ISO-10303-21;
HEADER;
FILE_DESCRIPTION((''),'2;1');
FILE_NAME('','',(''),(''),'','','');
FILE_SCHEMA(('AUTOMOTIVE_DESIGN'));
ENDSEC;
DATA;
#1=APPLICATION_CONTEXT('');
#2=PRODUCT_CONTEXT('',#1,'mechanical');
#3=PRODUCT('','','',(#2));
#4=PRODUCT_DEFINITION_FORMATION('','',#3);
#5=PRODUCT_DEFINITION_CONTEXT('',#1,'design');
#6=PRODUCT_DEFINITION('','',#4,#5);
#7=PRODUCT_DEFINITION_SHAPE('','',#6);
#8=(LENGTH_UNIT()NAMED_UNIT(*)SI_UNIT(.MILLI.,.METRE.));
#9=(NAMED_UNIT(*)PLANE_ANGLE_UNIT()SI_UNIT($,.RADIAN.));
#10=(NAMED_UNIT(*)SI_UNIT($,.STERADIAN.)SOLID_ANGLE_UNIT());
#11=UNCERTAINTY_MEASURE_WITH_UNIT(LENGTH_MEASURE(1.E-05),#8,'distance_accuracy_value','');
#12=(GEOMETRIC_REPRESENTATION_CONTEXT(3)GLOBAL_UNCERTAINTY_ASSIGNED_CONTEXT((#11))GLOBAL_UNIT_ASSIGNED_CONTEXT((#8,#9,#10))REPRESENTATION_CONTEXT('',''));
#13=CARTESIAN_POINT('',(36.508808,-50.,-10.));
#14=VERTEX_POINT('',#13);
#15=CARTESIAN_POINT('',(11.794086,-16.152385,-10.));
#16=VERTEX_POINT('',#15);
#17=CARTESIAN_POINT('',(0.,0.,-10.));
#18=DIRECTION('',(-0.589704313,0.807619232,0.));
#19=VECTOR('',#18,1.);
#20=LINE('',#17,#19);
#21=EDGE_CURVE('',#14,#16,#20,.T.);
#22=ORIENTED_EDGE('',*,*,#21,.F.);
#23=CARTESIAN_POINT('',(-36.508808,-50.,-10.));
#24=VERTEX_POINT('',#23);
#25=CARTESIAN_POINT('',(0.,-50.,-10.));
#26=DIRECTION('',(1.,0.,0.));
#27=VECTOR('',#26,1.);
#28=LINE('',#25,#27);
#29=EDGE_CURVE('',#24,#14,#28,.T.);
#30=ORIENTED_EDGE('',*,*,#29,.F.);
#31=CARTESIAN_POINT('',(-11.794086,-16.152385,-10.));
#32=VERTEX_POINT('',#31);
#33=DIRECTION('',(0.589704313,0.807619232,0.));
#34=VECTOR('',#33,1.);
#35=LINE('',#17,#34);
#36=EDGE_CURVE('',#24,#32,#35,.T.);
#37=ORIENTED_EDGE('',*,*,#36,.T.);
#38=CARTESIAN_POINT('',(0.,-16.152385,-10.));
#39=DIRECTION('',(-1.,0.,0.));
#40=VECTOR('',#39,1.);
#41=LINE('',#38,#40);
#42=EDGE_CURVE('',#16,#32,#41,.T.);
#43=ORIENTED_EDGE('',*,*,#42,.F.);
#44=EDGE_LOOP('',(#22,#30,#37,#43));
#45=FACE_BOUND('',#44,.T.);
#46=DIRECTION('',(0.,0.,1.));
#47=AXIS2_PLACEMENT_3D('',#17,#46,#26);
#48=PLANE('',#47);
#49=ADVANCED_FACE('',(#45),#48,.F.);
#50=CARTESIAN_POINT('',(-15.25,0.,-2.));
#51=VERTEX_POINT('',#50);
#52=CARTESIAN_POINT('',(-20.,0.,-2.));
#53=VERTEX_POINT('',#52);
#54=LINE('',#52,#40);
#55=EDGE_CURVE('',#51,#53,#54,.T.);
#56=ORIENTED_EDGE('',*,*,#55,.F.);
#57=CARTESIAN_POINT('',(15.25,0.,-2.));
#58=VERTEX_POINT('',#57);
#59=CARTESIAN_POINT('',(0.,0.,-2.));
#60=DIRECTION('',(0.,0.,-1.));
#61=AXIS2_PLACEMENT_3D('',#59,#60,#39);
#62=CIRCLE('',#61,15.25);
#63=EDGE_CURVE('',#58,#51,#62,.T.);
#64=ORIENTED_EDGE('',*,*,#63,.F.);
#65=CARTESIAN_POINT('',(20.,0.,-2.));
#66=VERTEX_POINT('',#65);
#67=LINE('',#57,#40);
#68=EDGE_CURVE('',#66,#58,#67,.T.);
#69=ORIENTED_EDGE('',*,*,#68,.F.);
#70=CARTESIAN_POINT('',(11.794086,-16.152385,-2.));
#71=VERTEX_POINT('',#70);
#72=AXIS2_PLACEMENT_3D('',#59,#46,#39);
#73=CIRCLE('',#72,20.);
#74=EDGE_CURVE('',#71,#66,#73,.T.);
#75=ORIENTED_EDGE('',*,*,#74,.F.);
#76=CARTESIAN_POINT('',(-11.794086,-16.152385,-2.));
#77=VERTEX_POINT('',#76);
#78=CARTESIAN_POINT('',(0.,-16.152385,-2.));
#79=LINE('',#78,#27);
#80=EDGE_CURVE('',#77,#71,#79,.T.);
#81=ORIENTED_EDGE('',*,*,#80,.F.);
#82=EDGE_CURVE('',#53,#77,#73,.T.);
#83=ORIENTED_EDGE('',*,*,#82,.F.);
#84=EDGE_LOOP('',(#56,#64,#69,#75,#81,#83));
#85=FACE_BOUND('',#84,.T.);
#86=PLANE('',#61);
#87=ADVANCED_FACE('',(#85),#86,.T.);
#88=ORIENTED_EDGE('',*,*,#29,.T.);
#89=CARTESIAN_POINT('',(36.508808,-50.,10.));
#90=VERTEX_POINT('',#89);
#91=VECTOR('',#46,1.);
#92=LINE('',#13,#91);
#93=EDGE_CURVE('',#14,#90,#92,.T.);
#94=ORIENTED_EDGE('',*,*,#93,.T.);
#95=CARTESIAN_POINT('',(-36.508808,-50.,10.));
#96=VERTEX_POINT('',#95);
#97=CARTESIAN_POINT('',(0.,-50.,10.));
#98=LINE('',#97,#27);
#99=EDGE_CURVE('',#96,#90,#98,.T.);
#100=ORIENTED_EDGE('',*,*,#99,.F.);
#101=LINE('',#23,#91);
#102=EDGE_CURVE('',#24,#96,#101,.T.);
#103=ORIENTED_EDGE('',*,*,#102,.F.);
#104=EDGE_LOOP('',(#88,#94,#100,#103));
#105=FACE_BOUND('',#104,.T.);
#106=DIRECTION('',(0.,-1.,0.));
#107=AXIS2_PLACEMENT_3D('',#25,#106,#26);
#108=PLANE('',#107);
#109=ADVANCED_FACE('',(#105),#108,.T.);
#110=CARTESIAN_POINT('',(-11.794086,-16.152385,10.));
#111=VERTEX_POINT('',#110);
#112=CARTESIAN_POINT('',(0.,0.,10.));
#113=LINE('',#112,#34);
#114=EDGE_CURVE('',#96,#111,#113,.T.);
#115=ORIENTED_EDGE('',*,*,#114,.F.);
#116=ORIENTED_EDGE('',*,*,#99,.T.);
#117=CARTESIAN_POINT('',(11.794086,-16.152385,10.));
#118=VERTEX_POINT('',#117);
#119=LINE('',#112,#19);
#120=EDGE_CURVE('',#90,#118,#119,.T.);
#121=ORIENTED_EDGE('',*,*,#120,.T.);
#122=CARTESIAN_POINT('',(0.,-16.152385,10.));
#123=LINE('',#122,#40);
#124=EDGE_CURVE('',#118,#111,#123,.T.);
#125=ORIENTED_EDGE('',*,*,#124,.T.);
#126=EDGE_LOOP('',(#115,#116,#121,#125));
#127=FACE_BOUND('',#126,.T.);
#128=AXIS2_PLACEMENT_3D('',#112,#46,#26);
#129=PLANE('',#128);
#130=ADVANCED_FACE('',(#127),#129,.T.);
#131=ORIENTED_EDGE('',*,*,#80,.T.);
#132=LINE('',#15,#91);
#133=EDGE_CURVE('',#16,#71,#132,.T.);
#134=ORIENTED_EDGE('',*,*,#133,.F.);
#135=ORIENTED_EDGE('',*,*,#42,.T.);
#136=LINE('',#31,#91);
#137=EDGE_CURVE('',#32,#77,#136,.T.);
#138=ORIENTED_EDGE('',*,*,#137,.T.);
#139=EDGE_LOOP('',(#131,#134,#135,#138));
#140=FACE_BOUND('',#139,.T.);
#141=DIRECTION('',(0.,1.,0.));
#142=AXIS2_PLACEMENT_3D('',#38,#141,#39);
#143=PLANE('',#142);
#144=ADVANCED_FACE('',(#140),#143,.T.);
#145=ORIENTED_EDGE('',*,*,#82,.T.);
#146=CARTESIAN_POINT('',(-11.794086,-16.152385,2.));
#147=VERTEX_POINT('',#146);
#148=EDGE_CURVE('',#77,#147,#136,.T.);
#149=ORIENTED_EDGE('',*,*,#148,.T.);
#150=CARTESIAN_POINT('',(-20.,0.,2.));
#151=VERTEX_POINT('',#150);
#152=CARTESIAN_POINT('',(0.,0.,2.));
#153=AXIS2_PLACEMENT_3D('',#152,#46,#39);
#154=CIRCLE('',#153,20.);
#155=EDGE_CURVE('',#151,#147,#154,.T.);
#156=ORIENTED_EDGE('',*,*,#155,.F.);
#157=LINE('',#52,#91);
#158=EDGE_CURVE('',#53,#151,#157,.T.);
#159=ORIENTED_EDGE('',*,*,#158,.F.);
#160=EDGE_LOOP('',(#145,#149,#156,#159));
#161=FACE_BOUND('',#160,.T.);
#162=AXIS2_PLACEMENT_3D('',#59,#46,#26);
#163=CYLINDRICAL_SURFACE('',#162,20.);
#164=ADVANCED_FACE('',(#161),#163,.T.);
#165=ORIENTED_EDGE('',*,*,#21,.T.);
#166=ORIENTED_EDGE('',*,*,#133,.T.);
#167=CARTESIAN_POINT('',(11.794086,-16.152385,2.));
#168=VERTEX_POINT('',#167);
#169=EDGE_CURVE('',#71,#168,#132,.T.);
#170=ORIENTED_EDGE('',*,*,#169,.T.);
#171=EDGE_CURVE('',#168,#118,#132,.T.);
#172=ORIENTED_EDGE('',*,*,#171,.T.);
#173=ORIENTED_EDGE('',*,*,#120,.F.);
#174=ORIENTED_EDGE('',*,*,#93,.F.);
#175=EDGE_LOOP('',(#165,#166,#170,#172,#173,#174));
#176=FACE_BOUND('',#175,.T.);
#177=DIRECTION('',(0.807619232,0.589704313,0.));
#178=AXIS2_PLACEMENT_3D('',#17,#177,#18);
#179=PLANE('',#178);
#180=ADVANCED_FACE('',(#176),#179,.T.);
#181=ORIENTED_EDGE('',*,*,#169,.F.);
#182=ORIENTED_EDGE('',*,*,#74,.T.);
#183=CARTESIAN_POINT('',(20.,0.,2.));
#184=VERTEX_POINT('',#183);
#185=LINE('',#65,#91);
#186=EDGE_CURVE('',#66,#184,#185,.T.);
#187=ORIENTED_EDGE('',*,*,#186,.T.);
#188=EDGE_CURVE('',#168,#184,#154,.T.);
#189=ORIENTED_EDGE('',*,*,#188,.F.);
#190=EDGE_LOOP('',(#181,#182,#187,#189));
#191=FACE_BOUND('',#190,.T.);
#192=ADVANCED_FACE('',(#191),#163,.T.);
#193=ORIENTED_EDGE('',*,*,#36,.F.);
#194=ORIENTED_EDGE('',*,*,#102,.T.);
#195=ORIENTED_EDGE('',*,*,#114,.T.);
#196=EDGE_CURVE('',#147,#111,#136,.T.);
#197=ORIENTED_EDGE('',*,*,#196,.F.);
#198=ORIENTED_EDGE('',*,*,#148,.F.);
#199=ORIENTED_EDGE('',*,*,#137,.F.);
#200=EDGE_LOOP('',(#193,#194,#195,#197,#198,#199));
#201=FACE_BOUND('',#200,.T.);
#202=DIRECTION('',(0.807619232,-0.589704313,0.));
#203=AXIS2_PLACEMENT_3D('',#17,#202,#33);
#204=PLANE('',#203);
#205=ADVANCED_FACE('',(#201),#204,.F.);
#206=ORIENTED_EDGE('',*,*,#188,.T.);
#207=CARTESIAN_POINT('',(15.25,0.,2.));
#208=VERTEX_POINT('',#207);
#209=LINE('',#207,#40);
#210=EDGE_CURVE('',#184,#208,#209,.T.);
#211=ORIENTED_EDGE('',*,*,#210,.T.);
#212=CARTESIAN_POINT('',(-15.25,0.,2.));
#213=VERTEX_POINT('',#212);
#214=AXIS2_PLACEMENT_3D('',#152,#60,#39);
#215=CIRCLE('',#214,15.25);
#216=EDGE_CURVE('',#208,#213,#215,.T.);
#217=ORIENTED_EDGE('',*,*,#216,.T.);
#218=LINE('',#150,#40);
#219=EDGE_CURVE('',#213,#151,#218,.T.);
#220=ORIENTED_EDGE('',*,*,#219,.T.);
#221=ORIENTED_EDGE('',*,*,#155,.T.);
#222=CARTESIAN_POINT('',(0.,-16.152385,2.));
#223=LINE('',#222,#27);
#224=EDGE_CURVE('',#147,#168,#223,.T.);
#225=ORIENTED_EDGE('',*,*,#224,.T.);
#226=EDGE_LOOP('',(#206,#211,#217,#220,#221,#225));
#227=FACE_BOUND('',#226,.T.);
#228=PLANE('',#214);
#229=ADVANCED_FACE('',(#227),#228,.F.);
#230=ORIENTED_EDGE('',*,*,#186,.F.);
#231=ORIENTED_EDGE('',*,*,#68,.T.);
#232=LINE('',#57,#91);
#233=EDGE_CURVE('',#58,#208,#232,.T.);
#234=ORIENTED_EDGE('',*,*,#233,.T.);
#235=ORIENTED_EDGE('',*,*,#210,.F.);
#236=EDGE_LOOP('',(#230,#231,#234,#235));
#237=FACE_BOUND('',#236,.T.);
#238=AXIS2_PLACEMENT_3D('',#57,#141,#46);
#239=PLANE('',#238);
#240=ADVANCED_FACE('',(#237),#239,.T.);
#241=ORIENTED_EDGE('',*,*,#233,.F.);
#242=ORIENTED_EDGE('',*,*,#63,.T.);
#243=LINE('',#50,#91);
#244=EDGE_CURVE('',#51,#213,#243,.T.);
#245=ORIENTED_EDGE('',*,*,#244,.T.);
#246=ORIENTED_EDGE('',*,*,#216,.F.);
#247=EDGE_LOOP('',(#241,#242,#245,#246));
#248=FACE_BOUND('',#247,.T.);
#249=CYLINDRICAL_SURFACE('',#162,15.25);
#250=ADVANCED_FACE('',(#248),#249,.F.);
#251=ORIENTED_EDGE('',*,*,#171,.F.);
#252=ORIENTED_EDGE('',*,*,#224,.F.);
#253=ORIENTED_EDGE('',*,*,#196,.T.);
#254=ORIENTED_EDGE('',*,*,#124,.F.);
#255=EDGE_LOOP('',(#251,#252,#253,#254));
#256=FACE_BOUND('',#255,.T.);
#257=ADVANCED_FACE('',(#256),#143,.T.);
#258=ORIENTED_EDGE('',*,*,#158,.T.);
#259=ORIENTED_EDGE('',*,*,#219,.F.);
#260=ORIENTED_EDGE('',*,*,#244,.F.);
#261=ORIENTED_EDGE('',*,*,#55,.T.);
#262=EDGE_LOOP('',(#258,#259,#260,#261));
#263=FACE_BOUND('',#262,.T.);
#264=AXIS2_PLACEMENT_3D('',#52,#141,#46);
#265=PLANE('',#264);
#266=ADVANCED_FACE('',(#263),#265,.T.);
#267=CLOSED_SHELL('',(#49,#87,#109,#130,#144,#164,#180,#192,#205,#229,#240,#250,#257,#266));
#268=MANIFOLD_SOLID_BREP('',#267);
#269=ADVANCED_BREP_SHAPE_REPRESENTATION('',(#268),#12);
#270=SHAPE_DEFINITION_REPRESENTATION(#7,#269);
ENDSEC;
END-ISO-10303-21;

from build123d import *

# Parameters (mm, degrees)
BOSS_EXTRU_1_DEPTH      = 2
BOSS_EXTRU_1_DEPTH_BACK = 2
BOSS_EXTRU_3_DEPTH      = 10
BOSS_EXTRU_3_DEPTH_BACK = 10


with BuildPart() as part:
    # Esquisse1 → Boss.-Extru.1 (new, two sides: drawn at the far end of the back side and taken through both)
    with BuildSketch(Plane.XY.offset(-BOSS_EXTRU_1_DEPTH_BACK)):
        with BuildLine():
            Line((-20, 0), (-15.25, 0))
            ThreePointArc((-15.25, 0), (0, -15.25), (15.25, 0))
            Line((15.25, 0), (20, 0))
            ThreePointArc((20, 0), (0, -20), (-20, 0))
        make_face()
    extrude(amount=BOSS_EXTRU_1_DEPTH + BOSS_EXTRU_1_DEPTH_BACK)

    # Esquisse2 → Boss.-Extru.3 (add, two sides: drawn at the far end of the back side and taken through both)
    with BuildSketch(Plane.XY.offset(-BOSS_EXTRU_3_DEPTH_BACK)):
        Polygon((-11.79408626, -16.152384632), (-36.508808232, -50), (36.508808232, -50), (11.79408626, -16.152384632), align=None)
    extrude(amount=BOSS_EXTRU_3_DEPTH + BOSS_EXTRU_3_DEPTH_BACK)


solid = part.part
